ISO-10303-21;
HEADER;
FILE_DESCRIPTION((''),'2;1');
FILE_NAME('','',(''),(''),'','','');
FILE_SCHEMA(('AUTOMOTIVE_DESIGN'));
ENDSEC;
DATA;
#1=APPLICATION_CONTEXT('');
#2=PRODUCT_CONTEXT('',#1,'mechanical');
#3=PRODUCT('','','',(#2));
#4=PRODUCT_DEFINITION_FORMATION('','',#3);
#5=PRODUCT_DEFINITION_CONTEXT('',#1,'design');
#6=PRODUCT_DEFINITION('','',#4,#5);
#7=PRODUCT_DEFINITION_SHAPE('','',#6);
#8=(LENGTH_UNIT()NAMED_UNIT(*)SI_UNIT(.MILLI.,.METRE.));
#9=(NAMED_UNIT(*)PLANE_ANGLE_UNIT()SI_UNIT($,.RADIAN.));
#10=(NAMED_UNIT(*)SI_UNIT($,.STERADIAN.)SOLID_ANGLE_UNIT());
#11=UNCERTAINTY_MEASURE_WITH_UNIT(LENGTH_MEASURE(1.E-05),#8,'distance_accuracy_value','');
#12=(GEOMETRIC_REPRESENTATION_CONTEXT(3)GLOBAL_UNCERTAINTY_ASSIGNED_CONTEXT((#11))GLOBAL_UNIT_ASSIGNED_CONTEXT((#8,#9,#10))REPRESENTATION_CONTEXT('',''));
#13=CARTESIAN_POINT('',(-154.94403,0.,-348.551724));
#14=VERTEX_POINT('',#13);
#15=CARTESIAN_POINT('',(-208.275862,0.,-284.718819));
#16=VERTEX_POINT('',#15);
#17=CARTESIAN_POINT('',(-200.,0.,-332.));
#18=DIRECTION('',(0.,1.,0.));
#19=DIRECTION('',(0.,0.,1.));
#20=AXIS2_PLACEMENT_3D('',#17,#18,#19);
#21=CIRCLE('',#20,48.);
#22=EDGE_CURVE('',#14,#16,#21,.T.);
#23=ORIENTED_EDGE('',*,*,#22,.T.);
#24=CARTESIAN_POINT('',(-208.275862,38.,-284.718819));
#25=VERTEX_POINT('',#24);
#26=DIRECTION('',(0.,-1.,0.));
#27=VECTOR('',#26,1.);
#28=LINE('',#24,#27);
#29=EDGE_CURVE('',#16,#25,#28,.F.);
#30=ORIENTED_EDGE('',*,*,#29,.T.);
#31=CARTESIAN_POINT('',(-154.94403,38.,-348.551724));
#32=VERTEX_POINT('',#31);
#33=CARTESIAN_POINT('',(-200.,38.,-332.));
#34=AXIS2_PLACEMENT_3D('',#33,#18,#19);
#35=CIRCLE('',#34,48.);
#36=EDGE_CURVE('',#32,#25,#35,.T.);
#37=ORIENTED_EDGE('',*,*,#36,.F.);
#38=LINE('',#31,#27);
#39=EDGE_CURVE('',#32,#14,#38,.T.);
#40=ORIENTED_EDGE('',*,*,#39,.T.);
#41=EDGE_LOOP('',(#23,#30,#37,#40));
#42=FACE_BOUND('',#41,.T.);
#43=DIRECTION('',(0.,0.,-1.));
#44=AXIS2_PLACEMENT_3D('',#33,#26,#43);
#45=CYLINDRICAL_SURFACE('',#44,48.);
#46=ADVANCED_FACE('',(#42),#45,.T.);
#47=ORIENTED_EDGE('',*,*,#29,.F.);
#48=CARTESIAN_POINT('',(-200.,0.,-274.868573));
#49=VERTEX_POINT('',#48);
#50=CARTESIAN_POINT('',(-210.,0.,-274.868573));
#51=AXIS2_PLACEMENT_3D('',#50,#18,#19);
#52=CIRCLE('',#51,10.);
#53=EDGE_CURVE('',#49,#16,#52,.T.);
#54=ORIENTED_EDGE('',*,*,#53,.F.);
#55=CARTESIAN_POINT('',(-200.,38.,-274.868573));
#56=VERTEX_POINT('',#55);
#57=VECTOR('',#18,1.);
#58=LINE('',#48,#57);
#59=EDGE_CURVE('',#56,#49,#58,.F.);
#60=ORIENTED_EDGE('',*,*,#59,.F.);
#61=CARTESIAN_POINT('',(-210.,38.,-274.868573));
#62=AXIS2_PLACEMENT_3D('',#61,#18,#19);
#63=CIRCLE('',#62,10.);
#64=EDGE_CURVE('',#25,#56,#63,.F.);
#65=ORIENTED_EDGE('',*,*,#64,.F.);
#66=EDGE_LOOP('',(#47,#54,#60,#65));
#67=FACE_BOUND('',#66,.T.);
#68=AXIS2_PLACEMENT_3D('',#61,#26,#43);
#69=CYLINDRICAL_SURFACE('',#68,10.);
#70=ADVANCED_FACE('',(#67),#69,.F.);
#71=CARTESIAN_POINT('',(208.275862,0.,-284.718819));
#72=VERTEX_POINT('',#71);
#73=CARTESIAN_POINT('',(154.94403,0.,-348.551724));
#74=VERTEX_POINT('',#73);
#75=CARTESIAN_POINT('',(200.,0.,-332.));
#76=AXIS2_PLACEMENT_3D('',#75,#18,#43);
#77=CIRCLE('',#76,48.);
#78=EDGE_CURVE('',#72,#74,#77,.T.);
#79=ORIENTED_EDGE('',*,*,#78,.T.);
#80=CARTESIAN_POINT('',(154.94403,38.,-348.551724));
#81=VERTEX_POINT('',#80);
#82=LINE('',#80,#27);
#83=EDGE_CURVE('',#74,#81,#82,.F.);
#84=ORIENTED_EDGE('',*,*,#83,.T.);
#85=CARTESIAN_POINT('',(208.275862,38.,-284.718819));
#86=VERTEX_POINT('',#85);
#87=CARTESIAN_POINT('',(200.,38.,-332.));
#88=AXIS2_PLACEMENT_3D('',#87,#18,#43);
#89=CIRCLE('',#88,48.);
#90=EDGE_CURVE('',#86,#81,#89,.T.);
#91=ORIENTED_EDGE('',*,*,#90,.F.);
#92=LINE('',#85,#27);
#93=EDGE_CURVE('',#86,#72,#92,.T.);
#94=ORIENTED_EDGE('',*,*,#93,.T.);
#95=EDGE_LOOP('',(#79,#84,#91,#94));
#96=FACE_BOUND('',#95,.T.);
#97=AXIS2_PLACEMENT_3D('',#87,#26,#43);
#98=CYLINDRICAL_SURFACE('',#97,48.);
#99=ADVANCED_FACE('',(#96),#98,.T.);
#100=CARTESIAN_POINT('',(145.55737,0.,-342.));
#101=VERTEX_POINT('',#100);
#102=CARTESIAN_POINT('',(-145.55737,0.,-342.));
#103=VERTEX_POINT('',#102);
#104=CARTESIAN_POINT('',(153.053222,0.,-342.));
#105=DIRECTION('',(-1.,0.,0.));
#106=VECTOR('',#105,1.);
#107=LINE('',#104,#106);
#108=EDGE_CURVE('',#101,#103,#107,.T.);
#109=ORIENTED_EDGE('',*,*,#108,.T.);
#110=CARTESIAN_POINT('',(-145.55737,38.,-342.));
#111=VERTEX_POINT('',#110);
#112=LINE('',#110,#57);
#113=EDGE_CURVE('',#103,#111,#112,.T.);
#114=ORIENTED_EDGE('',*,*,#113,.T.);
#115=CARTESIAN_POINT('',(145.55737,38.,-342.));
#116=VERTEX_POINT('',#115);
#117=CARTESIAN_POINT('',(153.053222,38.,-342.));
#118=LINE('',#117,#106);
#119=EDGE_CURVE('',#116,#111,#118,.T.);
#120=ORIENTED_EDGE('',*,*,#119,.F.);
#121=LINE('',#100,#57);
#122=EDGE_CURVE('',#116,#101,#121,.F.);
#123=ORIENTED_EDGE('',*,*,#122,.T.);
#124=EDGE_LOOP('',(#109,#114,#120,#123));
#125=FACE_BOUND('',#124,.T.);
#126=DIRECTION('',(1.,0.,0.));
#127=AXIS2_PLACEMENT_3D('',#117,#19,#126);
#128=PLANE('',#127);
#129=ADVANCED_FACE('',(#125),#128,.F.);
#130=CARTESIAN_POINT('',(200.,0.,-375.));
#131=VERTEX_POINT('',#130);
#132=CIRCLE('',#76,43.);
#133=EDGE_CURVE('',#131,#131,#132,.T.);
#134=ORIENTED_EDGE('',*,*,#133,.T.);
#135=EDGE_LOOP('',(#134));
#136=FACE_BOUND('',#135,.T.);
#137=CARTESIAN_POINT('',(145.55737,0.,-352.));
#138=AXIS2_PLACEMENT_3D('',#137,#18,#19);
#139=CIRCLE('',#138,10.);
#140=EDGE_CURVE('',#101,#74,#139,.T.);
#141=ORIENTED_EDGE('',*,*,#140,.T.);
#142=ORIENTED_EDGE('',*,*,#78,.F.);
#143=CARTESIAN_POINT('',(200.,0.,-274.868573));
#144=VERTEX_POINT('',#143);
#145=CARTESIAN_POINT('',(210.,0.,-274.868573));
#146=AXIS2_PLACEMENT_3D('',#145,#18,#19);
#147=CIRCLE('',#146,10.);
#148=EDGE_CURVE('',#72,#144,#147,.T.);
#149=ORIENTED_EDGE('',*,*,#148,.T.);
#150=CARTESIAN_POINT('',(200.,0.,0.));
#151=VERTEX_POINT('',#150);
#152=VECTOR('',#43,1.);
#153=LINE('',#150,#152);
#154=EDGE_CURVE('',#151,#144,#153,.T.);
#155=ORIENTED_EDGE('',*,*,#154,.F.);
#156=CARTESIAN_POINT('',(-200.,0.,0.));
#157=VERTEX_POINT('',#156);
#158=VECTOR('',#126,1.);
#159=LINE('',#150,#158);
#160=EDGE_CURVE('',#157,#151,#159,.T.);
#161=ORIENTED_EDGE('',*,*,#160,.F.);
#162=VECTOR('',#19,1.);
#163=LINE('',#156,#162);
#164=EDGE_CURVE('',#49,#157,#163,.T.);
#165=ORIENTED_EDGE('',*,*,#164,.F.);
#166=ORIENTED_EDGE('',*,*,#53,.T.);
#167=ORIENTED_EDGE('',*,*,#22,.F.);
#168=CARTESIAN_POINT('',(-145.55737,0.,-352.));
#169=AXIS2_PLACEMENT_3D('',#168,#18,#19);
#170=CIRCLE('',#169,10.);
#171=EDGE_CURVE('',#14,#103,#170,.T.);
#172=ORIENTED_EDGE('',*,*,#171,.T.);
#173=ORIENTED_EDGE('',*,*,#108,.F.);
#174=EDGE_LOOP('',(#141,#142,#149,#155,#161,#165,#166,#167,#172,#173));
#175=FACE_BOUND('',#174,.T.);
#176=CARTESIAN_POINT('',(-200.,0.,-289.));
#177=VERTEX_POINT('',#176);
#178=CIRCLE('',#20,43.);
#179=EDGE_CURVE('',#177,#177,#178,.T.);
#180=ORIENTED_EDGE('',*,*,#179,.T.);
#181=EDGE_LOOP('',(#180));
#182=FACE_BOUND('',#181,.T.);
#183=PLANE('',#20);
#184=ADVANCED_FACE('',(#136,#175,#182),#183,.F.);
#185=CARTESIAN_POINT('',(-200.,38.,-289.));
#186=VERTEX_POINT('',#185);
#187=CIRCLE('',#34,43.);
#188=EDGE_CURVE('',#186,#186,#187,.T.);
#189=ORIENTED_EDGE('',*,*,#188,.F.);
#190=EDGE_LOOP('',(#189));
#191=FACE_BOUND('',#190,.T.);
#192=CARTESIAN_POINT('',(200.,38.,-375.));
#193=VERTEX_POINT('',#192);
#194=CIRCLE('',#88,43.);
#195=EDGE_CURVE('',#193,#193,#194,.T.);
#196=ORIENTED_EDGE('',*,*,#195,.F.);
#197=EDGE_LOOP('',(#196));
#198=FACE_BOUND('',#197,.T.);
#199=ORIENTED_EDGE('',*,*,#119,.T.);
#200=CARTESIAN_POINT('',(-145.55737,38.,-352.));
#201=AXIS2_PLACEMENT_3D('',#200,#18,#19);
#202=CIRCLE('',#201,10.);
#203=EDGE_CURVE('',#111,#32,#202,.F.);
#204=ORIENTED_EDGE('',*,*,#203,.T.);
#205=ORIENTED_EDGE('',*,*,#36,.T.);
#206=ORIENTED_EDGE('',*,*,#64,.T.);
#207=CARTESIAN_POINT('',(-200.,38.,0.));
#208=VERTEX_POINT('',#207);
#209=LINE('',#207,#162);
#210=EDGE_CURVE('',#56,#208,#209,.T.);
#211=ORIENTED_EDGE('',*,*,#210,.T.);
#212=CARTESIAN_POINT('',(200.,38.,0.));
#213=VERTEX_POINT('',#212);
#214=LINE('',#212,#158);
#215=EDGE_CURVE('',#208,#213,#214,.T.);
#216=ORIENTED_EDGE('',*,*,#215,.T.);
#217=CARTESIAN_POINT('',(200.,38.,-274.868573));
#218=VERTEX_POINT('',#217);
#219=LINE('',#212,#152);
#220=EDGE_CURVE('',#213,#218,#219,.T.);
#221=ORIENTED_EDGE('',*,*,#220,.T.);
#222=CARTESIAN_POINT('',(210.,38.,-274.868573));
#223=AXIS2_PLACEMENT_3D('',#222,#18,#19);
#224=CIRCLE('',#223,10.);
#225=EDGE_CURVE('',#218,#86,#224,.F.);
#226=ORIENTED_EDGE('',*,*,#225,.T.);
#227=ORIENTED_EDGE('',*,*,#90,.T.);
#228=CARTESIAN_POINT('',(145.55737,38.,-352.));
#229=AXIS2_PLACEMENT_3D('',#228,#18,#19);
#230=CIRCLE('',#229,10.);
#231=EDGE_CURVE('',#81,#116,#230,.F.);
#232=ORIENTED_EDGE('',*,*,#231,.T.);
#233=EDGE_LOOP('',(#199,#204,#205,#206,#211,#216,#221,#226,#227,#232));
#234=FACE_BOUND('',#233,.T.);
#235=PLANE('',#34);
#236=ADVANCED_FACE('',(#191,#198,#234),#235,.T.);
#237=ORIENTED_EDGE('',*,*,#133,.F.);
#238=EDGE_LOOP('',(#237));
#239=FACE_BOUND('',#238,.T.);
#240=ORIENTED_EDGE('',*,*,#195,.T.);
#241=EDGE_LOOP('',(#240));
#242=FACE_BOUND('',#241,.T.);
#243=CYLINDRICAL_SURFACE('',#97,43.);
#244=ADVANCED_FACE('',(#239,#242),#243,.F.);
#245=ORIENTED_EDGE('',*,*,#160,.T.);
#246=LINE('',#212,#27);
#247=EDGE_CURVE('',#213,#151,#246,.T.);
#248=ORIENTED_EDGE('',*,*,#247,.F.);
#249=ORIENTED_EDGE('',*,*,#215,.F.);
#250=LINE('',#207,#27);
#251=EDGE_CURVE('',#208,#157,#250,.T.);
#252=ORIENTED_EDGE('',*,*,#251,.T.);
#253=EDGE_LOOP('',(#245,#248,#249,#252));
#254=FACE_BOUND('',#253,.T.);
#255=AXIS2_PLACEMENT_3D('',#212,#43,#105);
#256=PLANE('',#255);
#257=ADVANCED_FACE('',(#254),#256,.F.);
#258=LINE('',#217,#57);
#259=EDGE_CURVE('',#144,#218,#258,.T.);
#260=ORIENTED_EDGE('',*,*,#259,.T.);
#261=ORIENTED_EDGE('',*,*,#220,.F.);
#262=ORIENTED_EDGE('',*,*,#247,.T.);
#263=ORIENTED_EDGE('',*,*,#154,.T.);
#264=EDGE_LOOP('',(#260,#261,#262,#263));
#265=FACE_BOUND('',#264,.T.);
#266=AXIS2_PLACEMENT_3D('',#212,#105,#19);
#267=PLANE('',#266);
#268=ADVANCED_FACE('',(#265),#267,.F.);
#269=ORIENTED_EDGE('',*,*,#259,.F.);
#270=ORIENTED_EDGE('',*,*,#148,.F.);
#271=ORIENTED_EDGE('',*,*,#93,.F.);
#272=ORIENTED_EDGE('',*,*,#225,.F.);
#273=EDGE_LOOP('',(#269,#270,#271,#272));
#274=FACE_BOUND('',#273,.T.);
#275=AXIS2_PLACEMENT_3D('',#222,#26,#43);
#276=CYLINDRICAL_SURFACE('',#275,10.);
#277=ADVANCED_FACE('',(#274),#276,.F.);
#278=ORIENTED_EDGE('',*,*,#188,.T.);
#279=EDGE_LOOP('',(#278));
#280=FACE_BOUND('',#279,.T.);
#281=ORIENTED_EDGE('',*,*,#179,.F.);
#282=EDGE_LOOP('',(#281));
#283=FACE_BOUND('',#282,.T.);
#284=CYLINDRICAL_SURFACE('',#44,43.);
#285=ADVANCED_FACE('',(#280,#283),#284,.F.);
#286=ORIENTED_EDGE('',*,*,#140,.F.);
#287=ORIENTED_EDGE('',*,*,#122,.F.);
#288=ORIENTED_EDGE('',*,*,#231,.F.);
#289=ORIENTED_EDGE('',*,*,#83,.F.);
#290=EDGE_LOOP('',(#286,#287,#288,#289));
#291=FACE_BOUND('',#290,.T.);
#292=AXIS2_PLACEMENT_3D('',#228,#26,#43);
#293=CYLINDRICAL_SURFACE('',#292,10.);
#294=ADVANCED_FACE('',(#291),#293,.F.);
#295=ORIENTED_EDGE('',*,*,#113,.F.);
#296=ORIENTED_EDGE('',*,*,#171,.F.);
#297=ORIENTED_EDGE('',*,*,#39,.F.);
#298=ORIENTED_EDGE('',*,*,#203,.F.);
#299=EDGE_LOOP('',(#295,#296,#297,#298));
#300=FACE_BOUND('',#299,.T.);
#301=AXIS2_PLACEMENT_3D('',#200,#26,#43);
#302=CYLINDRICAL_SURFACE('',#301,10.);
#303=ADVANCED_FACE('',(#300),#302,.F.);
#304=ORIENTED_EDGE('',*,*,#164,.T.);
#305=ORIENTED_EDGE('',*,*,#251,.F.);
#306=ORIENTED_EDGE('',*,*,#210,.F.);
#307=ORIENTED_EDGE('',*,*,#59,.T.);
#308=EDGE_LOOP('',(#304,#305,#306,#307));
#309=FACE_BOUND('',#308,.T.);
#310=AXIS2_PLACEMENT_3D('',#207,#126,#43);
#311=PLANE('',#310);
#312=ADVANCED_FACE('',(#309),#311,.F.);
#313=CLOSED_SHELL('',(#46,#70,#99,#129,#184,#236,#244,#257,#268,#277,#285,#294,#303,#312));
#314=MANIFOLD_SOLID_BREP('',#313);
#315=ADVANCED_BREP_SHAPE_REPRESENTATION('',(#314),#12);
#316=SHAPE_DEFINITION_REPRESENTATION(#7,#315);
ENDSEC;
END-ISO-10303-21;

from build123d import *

# Parameters (mm, degrees)
SKETCH1_R           = 43
BOSS_EXTRUDE1_DEPTH = 38
FILLET1_R           = 10


with BuildPart() as part:
    # Sketch1 → Boss-Extrude1 (new body)
    with BuildSketch(Plane(origin=(0, 0, 0), x_dir=(1, 0, 0), z_dir=(0, 1, 0))):
        with BuildLine():
            Line((200, 0), (-200, 0))
            Line((-200, 0), (-200, 284))
            ThreePointArc((-200, 284), (-237.309516212, 362.199337741), (-153.053221623, 342))
            Line((-153.053221623, 342), (153.053221623, 342))
            ThreePointArc((153.053221623, 342), (237.309516212, 362.199337741), (200, 284))
            Line((200, 284), (200, 0))
        make_face()
        with Locations((-200, 332)):
            Circle(SKETCH1_R, mode=Mode.SUBTRACT)
        with Locations((200, 332)):
            Circle(SKETCH1_R, mode=Mode.SUBTRACT)
    extrude(amount=BOSS_EXTRUDE1_DEPTH)

    # Fillet1
    fillet1_edges = [part.edges().sort_by_distance(p)[0] for p in [
        (-200, 19, -284),
        (-153.053221623, 19, -342),
        (153.053221623, 19, -342),
        (200, 19, -284),
    ]]
    fillet(fillet1_edges, radius=FILLET1_R)


solid = part.part
